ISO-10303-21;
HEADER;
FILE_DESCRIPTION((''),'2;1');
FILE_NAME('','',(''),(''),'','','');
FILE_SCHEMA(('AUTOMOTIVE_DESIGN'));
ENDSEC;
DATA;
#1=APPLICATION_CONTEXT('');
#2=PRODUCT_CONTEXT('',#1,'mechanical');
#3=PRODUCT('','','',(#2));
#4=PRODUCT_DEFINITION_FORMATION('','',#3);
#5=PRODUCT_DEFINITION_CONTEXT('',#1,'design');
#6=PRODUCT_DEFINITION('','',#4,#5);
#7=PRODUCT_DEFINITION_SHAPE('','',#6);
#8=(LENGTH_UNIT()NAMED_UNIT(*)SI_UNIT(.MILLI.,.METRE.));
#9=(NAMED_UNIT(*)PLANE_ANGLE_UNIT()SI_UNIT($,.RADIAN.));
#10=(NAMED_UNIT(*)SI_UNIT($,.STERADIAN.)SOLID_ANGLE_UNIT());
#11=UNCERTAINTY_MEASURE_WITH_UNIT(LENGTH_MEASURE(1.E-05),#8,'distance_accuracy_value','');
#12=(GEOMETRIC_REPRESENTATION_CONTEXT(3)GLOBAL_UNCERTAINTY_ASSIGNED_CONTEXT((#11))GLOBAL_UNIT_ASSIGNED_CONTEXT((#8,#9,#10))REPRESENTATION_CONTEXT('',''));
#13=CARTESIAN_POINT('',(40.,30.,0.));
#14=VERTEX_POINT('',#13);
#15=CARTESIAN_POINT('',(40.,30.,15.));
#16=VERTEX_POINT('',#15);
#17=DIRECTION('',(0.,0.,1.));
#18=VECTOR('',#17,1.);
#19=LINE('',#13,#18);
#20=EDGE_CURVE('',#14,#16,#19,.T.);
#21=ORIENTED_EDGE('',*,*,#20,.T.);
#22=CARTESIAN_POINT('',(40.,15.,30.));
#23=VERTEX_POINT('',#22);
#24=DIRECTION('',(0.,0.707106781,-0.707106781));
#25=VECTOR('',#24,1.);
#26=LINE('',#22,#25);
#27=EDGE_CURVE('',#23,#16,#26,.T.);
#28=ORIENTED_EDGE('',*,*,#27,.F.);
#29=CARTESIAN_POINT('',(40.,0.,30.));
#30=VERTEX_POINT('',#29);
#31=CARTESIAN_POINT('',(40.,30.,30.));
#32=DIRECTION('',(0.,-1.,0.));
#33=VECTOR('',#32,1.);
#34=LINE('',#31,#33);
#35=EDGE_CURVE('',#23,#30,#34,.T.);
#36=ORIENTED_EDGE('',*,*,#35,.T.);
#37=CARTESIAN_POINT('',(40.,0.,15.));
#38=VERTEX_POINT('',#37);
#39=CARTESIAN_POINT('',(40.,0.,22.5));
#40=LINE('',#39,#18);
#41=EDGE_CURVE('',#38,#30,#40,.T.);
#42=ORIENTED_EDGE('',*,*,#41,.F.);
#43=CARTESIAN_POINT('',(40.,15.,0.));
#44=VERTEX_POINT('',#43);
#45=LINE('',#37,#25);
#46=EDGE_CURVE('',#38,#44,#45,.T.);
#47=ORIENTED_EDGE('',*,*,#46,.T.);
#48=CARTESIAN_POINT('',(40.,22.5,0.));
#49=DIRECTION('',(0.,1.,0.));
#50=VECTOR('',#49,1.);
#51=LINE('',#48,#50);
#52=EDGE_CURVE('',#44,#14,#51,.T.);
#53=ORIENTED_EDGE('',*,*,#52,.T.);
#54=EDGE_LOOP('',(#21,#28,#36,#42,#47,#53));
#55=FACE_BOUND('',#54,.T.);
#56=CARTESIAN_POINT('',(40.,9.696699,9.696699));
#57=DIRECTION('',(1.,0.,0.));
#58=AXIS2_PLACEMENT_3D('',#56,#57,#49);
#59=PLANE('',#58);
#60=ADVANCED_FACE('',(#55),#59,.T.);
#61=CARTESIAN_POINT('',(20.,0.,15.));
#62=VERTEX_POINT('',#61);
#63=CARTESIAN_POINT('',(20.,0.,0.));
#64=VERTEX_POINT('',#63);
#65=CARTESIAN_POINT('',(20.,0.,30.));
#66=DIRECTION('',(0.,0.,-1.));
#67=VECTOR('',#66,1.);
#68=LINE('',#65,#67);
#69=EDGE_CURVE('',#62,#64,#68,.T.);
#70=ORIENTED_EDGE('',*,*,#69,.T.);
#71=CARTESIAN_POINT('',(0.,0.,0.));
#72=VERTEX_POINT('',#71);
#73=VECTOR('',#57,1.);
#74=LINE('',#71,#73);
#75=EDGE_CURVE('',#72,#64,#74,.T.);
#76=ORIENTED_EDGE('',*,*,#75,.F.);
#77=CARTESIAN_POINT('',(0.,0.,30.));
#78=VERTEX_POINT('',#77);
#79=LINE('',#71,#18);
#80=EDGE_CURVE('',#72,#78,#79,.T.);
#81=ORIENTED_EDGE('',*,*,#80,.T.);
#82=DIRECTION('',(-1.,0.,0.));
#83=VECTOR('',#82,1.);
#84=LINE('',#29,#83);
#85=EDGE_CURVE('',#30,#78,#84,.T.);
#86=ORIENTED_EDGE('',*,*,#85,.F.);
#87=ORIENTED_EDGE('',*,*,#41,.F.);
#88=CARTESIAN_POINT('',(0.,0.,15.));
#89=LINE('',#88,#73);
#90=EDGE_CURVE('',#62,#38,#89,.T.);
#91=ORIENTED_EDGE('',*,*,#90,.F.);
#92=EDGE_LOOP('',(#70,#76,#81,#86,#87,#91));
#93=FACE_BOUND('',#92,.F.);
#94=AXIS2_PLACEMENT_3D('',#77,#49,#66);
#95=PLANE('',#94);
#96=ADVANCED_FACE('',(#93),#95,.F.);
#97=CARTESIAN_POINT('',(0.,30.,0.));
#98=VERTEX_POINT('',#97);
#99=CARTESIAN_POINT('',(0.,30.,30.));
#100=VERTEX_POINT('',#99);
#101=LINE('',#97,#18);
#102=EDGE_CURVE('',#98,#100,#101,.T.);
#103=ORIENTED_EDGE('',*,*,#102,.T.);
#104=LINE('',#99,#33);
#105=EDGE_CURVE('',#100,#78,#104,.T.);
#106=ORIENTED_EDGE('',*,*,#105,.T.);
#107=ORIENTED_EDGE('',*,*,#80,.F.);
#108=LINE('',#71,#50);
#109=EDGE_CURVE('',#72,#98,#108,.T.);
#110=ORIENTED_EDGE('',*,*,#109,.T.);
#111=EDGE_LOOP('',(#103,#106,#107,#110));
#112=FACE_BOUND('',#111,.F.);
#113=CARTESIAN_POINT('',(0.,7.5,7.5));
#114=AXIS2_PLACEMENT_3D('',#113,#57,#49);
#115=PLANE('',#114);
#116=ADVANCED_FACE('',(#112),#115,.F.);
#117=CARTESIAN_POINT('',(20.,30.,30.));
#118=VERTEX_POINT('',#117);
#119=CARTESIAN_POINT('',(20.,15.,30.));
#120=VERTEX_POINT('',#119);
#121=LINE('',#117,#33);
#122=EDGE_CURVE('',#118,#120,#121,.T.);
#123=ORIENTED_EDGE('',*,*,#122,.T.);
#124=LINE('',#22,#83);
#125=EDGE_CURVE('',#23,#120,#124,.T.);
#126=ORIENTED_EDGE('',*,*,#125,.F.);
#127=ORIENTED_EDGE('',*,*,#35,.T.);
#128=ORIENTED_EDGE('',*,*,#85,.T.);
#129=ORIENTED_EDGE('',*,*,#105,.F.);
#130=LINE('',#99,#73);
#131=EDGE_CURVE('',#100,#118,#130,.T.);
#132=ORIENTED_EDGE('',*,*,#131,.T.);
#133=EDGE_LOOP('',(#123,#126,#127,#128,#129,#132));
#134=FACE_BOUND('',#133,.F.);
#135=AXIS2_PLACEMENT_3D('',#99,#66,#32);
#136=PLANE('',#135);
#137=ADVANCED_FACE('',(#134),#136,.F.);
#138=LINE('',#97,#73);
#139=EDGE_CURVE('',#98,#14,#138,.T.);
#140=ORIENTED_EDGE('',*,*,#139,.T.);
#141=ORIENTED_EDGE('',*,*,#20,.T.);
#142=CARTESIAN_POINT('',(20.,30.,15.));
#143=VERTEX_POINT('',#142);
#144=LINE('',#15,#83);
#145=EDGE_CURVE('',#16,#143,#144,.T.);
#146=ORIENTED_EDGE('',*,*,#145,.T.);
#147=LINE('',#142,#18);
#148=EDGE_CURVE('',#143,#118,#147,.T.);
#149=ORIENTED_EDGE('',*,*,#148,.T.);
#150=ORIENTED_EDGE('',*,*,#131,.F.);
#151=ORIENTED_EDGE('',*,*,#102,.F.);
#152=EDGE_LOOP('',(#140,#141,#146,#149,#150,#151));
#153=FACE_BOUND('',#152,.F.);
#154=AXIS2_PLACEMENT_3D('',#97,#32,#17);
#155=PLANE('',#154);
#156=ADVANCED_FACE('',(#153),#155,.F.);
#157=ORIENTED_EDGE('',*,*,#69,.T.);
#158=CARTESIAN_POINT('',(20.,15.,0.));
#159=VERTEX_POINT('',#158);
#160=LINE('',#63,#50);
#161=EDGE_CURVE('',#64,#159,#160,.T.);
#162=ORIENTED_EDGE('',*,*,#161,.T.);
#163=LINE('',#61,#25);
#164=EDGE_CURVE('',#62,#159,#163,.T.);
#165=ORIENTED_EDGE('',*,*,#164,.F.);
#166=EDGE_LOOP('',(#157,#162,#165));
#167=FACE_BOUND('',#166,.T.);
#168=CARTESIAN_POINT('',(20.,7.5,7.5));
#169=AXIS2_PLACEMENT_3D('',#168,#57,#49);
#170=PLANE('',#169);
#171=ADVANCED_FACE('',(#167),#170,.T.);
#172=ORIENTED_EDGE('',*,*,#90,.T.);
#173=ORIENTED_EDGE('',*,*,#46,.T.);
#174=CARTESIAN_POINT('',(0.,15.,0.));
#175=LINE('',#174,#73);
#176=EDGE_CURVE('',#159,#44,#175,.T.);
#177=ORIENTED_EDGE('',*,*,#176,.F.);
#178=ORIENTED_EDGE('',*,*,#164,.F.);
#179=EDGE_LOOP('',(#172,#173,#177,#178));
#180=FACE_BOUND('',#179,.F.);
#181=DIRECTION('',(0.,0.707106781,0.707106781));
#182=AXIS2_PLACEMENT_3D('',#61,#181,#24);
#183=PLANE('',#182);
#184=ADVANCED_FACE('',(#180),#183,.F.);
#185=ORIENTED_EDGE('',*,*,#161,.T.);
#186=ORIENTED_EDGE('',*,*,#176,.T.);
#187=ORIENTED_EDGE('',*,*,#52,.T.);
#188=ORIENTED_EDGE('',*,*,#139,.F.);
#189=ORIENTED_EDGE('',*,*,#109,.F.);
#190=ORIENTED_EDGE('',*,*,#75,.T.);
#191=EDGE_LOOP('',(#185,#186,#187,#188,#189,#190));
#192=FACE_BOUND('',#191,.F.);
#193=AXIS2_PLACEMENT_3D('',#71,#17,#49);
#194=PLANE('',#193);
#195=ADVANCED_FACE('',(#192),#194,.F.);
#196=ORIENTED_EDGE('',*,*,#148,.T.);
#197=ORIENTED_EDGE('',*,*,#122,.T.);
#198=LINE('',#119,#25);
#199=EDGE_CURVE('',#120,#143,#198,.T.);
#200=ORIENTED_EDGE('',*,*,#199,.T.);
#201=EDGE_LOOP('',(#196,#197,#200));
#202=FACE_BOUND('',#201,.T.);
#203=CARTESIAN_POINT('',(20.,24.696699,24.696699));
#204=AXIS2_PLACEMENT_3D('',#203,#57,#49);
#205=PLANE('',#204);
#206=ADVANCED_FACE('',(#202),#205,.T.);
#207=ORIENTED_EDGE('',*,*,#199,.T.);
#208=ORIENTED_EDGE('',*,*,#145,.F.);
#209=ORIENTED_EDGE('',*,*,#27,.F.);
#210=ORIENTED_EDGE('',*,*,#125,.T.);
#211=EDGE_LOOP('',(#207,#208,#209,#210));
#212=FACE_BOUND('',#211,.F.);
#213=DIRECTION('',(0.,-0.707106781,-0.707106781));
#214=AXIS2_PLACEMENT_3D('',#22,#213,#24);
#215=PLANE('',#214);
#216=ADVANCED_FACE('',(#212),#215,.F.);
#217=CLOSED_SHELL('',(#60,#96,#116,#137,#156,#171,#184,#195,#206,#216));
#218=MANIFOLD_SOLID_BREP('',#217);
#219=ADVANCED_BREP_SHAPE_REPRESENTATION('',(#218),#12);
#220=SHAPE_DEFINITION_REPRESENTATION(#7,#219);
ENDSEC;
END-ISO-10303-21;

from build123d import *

# Parameters (mm, degrees)
F0_W     = 15
F0_H     = 15
F1_DEPTH = 20
F2_DEPTH = 40
F4_DEPTH = 20
F6_DEPTH = 20


with BuildPart() as f1:
    # F0 (on Right) → F1 (new body)
    with BuildSketch(Plane.YZ):
        with Locations((7.5, 7.5)):
            Rectangle(F0_W, F0_H)
        with Locations((22.5, 7.5)):
            Rectangle(F0_W, F0_H)
        with Locations((7.5, 22.5)):
            Rectangle(F0_W, F0_H)
        with Locations((22.5, 22.5)):
            Rectangle(F0_W, F0_H)
    extrude(amount=F1_DEPTH)

    # F0 (on Right) → F2 (join)
    with BuildSketch(Plane.YZ):
        with Locations((22.5, 7.5)):
            Rectangle(F0_W, F0_H)
        with Locations((22.5, 22.5)):
            Rectangle(F0_W, F0_H)
        with Locations((7.5, 22.5)):
            Rectangle(F0_W, F0_H)
    extrude(amount=F2_DEPTH)

    # F3 (on face) → F4 (cut)
    with BuildSketch(Plane.YZ.offset(40)):
        Polygon((30, 30), (15, 30), (30, 15), align=None)
    extrude(amount=-F4_DEPTH, mode=Mode.SUBTRACT)

    # F5 (on face) → F6 (join)
    with BuildSketch(Plane.YZ.offset(20)):
        Polygon((15, 15), (0, 15), (15, 0), align=None)
    extrude(amount=F6_DEPTH)


solid = f1.part
